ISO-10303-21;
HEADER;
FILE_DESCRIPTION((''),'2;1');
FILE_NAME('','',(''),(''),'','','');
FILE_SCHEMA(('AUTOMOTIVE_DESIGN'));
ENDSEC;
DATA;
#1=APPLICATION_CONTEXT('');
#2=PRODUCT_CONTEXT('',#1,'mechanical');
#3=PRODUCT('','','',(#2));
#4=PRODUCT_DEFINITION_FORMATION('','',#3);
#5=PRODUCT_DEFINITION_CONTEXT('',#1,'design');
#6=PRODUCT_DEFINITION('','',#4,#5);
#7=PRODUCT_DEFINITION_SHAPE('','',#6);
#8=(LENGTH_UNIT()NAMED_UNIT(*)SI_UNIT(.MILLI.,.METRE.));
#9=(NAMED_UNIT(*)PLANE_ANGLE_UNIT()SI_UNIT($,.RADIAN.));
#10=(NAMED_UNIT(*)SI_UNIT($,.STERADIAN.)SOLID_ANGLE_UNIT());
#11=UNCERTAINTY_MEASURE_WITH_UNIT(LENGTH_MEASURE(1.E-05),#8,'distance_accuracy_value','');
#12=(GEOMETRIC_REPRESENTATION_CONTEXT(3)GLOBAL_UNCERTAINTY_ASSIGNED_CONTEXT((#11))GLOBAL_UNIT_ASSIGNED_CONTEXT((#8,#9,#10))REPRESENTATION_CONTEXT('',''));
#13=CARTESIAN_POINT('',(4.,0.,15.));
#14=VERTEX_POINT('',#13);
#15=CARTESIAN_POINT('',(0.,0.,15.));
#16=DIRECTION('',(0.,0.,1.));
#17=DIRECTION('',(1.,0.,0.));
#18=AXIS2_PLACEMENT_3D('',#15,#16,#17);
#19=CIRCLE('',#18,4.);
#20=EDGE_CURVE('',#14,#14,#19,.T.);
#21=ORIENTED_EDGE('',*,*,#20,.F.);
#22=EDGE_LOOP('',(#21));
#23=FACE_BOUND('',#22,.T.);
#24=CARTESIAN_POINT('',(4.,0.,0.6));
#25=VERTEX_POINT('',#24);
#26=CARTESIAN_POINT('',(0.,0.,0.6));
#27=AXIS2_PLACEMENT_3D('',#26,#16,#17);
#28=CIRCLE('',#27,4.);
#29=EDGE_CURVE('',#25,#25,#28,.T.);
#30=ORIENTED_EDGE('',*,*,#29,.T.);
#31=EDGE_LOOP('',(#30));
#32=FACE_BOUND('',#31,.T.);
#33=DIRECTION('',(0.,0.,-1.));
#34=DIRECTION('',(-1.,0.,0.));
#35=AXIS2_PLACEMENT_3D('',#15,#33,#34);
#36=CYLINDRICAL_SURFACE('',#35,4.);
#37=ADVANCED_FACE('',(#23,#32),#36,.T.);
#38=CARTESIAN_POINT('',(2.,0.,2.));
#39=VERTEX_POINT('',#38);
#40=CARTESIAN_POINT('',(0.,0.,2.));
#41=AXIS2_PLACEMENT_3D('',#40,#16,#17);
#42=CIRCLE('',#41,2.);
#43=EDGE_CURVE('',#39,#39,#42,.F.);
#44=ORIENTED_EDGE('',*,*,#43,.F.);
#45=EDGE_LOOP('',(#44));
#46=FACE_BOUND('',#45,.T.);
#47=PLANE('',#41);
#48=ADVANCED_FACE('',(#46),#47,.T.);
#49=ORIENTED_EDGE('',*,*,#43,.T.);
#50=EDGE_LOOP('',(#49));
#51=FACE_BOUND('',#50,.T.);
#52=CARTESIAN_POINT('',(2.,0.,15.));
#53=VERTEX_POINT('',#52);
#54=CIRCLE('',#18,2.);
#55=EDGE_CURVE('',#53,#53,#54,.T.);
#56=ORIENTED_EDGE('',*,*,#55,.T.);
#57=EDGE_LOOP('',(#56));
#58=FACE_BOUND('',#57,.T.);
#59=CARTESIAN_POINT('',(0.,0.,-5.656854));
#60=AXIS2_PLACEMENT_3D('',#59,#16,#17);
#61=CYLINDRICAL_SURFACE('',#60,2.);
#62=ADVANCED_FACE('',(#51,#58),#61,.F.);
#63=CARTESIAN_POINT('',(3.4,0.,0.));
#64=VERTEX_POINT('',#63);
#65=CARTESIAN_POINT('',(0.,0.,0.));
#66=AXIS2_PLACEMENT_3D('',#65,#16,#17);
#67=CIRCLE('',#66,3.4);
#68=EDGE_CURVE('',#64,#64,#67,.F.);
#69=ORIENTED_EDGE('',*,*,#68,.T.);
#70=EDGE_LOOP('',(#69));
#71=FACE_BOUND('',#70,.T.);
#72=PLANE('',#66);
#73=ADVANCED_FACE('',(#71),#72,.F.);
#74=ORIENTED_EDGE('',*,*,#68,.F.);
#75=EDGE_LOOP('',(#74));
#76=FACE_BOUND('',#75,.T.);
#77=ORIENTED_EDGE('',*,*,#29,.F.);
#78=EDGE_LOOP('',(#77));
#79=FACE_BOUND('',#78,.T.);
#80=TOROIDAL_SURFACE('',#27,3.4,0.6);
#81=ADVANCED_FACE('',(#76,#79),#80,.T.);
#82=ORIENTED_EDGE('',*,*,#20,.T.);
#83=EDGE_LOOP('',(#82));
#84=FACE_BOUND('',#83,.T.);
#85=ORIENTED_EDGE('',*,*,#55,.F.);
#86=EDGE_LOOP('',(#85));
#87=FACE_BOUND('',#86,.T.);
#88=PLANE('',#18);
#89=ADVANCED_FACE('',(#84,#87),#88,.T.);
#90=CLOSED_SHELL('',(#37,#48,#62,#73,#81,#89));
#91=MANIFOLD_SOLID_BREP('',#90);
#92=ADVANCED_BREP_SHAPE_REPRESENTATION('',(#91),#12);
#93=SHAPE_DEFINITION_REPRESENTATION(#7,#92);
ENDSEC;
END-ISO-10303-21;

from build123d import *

# Parameters (mm, degrees)
SKETCH1_R           = 4
BOSS_EXTRUDE1_DEPTH = 15
SKETCH2_R           = 2
CUT_EXTRUDE1_DEPTH  = 13
FILLET1_R           = 0.6


with BuildPart() as part:
    # Sketch1 → Boss-Extrude1 (new body)
    with BuildSketch(Plane.XY):
        Circle(SKETCH1_R)
    extrude(amount=BOSS_EXTRUDE1_DEPTH)

    # Sketch2 → Cut-Extrude1 (cut)
    with BuildSketch(Plane.XY.offset(15)):
        Circle(SKETCH2_R)
    extrude(amount=-CUT_EXTRUDE1_DEPTH, mode=Mode.SUBTRACT)

    # Fillet1
    fillet1_edges = [part.edges().sort_by_distance(p)[0] for p in [
        (-4, 0, 0),
    ]]
    fillet(fillet1_edges, radius=FILLET1_R)


solid = part.part
